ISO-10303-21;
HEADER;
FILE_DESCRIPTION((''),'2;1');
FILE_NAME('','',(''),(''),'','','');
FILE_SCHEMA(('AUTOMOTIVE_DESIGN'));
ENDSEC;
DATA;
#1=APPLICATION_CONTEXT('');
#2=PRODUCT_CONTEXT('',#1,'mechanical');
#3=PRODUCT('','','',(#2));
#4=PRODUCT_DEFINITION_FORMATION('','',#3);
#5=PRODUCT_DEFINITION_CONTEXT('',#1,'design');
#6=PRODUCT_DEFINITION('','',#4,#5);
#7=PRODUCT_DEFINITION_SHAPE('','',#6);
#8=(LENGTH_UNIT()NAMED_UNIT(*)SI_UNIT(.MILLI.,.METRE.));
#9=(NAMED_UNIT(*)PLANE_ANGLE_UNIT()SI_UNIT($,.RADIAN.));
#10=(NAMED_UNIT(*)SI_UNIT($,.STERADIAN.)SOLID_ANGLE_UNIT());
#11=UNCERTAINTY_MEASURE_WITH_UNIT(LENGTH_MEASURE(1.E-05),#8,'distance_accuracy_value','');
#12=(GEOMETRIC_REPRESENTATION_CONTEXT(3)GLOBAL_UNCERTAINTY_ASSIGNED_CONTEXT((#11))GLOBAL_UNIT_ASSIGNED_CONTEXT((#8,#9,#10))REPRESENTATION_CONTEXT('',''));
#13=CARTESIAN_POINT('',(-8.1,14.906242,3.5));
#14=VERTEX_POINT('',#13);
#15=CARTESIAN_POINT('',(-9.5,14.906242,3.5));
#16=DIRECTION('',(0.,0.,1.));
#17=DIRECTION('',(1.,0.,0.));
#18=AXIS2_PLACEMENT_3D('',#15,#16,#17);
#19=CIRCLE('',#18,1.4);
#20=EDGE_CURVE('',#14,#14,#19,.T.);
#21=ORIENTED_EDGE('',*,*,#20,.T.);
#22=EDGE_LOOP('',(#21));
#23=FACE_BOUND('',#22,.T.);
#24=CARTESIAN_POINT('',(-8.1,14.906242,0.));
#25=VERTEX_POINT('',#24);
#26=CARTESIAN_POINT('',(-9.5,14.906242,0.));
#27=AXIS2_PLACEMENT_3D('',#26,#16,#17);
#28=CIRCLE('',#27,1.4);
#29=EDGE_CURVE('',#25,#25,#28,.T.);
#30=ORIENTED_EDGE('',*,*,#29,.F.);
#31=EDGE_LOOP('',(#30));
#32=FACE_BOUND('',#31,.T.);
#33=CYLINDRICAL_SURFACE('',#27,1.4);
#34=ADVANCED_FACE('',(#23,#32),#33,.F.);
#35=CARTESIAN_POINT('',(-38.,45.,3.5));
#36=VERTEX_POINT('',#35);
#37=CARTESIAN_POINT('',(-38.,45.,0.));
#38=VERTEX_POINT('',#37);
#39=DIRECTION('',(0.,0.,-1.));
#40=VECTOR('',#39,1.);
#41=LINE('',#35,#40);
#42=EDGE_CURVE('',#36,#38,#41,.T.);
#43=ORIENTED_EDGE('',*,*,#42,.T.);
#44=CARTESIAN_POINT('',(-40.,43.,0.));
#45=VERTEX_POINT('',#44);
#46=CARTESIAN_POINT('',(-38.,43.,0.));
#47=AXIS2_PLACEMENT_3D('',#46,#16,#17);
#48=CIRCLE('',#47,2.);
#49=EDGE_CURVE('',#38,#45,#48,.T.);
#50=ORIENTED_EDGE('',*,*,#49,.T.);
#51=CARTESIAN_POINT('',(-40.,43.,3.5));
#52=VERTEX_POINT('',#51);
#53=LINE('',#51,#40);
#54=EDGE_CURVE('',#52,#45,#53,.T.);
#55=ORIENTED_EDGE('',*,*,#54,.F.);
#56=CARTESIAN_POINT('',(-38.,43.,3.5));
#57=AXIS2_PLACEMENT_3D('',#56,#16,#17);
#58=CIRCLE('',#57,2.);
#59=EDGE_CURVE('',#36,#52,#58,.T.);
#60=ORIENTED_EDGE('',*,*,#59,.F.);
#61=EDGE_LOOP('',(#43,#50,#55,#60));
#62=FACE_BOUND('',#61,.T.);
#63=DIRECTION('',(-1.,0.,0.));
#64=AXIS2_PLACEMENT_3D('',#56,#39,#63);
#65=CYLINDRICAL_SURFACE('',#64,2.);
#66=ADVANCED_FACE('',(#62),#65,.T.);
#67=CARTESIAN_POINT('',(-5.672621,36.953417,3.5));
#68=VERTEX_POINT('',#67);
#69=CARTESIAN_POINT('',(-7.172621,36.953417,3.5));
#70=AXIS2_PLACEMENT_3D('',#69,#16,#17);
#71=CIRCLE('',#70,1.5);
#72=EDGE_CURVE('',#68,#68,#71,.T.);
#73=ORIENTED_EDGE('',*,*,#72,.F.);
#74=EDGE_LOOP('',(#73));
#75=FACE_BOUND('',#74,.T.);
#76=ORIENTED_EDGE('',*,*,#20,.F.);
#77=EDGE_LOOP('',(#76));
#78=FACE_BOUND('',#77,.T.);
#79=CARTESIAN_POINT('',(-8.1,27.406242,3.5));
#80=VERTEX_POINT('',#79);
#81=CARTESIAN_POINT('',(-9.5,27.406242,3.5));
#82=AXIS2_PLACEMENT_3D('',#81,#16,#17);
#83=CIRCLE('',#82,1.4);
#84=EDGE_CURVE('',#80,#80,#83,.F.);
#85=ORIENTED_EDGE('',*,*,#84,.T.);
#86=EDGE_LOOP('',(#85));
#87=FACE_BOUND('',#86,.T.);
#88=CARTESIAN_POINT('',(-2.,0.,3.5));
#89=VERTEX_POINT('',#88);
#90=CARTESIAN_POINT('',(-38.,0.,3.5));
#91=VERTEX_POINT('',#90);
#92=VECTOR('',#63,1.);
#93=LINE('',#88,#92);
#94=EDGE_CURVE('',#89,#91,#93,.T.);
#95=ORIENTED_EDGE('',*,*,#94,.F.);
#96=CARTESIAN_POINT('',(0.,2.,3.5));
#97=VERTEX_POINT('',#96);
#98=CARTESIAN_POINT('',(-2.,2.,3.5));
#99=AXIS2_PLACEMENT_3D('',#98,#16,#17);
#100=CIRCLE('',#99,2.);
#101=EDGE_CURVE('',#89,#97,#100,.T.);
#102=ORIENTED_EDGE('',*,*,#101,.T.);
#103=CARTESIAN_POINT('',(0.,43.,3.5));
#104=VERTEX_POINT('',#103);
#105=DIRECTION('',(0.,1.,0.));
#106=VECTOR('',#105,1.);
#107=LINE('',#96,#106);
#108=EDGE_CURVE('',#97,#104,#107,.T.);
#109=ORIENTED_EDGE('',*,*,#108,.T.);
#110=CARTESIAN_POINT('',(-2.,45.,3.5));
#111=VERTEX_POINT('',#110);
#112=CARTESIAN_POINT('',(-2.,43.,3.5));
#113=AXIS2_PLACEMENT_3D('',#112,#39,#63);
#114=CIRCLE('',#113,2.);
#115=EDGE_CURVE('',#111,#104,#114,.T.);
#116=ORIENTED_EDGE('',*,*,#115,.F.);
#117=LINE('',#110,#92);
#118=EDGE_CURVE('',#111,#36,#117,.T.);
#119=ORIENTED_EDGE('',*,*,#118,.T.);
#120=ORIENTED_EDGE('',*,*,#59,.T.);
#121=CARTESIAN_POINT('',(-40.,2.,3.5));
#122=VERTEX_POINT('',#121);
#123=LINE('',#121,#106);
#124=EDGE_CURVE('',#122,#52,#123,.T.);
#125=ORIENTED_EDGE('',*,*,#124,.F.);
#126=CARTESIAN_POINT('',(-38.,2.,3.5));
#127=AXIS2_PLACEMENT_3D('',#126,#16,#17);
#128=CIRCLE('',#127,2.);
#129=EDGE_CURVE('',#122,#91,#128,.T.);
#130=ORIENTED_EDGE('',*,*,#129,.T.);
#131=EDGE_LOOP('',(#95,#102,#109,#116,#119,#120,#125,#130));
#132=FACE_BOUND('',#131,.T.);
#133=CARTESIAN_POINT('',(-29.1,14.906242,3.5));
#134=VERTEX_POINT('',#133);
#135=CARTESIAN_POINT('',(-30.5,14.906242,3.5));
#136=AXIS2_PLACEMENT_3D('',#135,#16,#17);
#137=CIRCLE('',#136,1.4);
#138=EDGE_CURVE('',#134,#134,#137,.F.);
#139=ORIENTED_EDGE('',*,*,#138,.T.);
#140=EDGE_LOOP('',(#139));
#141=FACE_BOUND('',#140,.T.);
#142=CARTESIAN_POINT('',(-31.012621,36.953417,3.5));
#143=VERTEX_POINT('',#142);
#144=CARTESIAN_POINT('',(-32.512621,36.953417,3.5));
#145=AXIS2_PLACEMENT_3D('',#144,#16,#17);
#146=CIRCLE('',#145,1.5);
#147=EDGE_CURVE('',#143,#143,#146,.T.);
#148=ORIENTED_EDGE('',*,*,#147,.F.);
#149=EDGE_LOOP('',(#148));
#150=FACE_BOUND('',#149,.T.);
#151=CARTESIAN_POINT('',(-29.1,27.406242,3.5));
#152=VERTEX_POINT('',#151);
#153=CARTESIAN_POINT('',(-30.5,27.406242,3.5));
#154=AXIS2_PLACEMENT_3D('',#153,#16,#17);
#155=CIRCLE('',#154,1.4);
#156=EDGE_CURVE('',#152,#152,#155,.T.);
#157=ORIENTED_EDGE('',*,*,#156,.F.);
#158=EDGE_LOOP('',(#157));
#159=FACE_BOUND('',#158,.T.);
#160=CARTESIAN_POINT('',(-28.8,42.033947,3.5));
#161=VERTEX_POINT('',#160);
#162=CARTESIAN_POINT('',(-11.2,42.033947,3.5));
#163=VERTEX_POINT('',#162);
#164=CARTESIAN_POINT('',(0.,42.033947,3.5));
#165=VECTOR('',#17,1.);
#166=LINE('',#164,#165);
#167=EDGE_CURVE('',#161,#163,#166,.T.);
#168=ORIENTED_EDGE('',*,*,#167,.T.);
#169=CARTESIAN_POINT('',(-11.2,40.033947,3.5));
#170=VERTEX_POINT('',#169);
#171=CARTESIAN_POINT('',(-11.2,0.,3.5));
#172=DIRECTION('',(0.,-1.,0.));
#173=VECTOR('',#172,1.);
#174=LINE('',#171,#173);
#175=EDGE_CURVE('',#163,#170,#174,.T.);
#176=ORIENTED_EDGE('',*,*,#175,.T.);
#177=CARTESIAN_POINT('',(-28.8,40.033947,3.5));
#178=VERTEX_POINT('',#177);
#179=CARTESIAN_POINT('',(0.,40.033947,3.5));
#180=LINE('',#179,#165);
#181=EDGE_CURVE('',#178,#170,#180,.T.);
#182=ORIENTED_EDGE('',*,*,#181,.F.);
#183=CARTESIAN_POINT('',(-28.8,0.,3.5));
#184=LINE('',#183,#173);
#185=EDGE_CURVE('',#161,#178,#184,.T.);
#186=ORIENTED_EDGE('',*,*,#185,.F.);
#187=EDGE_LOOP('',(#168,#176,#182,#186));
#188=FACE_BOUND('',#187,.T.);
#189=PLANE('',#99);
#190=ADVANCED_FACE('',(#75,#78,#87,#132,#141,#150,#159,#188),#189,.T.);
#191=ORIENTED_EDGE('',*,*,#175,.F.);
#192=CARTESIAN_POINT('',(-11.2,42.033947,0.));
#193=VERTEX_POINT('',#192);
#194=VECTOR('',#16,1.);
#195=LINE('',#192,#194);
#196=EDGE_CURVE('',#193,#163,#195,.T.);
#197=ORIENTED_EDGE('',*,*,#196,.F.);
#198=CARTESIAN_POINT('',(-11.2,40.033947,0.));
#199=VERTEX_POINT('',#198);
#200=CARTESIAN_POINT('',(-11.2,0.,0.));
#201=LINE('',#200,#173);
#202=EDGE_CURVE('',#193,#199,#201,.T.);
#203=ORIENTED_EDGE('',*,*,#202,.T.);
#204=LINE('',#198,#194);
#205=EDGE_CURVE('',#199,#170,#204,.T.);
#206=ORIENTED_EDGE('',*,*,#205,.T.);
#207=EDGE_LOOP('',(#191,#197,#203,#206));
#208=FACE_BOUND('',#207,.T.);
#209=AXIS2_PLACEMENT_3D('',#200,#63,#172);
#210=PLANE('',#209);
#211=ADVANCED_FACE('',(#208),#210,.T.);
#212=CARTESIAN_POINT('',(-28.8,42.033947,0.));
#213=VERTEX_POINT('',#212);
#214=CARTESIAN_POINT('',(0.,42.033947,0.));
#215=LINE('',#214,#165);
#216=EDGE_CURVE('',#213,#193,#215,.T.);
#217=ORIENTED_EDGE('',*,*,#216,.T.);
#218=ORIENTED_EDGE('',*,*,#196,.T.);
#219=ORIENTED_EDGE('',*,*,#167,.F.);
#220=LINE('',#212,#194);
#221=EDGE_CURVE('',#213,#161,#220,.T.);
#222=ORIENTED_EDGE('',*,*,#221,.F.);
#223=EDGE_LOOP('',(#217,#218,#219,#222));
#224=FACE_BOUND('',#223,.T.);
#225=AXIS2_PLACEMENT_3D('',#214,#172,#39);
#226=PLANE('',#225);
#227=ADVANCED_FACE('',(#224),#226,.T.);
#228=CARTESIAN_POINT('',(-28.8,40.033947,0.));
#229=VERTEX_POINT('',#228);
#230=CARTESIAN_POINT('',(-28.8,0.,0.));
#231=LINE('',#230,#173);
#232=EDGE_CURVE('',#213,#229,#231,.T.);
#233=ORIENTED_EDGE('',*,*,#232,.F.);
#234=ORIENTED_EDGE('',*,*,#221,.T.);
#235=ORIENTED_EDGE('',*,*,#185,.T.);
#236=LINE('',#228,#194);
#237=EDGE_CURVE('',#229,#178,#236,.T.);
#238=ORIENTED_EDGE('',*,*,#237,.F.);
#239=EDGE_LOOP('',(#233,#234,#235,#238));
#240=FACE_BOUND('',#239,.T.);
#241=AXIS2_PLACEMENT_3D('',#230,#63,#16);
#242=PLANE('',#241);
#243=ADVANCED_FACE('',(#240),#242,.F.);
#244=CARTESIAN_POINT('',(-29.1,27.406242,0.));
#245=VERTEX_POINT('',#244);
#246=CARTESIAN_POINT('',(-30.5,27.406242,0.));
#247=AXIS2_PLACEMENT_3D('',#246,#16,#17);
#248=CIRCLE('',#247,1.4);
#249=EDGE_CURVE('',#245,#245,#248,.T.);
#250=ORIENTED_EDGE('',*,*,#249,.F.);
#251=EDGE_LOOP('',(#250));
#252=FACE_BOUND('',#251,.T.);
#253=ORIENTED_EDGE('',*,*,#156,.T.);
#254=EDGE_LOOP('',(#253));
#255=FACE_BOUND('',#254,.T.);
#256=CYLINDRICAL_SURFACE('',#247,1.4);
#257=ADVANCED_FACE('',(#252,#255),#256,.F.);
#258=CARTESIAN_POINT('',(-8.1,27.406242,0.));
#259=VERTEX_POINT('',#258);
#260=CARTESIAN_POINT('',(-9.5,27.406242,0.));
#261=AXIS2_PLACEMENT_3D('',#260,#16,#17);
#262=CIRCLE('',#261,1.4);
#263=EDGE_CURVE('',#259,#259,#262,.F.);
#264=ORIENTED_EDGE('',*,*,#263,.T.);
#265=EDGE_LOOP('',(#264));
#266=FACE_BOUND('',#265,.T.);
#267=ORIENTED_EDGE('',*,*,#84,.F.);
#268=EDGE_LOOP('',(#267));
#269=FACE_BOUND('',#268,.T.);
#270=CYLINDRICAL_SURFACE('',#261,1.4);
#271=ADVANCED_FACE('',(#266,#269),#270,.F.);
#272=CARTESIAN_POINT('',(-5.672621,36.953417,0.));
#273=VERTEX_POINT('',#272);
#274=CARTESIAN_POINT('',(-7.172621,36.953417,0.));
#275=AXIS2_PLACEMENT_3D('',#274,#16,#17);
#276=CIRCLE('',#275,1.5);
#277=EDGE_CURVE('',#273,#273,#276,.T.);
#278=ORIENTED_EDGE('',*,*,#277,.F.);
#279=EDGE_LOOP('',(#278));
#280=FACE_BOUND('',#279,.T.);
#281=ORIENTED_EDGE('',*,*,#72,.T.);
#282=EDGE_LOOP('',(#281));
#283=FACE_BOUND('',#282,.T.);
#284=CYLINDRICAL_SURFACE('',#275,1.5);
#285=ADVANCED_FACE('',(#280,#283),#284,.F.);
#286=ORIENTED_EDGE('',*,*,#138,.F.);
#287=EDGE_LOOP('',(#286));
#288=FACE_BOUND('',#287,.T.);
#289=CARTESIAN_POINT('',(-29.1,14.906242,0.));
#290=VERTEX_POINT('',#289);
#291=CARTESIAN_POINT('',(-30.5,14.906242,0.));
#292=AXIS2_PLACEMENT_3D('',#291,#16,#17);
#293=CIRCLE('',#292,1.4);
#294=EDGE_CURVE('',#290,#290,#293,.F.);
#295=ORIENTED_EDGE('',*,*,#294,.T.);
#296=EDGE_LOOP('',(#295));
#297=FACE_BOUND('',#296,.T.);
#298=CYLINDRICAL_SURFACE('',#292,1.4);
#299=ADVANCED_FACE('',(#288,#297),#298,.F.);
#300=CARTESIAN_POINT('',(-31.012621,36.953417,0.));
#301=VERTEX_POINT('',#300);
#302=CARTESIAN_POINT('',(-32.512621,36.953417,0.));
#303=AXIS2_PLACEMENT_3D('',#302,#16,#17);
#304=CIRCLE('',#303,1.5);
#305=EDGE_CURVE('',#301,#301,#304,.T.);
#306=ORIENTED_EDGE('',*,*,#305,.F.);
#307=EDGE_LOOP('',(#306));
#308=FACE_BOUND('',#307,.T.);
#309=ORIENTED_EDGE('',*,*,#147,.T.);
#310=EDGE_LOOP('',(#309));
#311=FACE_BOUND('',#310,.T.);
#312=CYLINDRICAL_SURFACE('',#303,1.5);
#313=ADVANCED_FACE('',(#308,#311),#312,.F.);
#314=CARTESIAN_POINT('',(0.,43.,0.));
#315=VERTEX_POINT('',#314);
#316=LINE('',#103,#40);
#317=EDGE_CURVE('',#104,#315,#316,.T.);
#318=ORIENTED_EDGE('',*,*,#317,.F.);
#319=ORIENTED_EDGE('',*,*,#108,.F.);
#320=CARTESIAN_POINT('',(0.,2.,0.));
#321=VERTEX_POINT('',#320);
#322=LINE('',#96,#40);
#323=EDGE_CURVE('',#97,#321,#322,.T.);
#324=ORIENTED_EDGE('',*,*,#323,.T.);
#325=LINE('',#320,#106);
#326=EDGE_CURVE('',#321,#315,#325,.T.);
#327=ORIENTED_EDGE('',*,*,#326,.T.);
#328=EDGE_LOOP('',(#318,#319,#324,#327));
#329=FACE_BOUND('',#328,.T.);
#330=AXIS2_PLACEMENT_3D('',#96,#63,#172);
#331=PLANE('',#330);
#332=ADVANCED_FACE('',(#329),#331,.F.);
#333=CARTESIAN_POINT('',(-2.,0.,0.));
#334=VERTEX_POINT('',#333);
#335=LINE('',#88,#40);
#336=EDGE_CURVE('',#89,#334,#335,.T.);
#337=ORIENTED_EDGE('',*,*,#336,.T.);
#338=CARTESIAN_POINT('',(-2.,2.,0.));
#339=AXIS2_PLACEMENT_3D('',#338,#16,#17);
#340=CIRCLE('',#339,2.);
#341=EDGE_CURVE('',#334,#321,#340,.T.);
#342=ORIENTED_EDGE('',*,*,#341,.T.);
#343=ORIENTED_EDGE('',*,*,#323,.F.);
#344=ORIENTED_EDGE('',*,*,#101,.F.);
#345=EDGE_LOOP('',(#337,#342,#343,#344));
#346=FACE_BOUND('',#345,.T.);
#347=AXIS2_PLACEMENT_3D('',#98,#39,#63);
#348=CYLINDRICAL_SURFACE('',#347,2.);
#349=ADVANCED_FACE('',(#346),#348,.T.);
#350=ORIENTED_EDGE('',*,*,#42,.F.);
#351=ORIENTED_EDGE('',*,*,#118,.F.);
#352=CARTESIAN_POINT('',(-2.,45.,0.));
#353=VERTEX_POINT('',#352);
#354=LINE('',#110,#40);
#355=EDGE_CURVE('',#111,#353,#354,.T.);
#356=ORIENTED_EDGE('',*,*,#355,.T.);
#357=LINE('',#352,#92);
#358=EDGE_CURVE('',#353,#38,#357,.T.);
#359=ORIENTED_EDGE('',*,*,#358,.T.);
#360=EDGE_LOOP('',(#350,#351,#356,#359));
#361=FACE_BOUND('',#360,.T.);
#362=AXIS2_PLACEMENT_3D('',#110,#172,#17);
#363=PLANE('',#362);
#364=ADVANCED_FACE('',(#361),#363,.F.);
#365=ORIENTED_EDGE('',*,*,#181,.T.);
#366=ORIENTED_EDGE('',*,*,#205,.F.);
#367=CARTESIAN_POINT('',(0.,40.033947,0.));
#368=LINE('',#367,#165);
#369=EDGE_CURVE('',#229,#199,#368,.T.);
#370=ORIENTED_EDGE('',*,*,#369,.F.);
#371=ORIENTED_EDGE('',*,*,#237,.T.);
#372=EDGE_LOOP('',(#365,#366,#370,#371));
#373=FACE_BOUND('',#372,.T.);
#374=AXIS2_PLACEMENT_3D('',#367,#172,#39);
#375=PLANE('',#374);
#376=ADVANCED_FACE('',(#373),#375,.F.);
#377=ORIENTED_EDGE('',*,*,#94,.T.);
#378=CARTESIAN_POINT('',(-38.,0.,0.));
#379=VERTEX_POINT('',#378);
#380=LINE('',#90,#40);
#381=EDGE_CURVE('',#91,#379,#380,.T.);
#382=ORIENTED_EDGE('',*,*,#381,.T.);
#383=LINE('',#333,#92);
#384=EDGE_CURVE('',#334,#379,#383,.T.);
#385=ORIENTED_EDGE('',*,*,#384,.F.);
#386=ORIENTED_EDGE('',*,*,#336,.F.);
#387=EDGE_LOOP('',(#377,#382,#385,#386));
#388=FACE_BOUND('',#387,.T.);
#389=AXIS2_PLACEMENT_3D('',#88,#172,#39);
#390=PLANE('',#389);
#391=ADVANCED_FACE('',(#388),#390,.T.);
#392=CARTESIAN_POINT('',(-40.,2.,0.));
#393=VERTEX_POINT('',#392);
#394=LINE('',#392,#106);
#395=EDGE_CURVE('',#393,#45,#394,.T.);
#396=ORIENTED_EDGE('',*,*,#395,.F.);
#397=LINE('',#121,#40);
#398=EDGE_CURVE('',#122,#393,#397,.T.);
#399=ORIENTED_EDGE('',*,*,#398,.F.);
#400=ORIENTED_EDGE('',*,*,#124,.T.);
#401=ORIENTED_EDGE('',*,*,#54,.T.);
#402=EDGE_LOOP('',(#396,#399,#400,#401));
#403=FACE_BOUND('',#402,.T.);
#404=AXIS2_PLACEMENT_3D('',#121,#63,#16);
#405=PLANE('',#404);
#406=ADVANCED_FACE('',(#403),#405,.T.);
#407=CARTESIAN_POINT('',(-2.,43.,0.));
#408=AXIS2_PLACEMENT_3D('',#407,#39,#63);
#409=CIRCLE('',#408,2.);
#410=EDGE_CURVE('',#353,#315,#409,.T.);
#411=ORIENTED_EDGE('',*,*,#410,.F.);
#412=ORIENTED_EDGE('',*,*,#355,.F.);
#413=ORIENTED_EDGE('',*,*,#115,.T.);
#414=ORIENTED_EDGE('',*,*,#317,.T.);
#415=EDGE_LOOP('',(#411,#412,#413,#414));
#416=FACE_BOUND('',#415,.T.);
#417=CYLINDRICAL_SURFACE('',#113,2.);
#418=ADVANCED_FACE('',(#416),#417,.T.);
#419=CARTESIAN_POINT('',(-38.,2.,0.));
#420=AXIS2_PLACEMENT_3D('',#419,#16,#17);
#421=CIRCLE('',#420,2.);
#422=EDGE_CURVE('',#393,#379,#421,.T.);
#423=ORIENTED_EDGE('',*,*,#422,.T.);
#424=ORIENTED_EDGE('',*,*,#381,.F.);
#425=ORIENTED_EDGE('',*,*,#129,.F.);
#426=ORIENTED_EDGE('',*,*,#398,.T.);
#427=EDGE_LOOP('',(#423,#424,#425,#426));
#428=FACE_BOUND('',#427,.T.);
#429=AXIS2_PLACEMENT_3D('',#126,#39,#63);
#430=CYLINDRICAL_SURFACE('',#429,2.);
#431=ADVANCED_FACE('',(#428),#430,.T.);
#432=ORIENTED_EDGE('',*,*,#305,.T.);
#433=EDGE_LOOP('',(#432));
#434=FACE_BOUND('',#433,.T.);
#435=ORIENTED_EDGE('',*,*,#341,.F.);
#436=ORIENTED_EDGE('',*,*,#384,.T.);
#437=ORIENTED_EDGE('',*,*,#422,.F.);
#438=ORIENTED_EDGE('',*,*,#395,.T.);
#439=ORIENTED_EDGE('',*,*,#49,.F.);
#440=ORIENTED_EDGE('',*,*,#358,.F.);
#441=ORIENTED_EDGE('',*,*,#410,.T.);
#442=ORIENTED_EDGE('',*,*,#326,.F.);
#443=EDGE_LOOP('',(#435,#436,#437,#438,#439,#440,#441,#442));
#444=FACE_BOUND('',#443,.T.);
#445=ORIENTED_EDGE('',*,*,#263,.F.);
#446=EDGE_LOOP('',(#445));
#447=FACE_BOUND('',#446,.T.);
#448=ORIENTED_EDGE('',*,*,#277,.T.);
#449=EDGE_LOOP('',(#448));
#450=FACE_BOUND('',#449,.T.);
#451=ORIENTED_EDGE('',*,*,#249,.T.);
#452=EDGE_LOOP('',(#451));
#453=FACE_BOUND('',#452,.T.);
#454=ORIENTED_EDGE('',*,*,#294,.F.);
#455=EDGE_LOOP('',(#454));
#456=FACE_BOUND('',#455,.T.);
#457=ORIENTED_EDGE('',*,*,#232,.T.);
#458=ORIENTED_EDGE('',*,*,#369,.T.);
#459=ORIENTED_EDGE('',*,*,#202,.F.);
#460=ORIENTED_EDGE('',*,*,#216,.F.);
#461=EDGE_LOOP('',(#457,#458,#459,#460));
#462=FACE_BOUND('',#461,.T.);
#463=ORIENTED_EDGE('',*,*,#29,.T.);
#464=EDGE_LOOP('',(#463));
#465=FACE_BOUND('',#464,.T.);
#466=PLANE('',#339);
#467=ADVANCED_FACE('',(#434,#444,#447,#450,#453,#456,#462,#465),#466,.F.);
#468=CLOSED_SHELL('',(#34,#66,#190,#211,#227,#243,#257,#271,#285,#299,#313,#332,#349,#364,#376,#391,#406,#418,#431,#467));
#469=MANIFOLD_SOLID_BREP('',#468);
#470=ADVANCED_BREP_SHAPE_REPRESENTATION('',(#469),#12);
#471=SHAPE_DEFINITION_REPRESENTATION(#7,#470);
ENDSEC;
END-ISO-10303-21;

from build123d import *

# Parameters (mm, degrees)
BOSS_EXTRUDE1_DEPTH = 3.5
SKETCH2_W           = 8.8
SKETCH2_H           = 2
CUT_EXTRUDE1_DEPTH  = 61.309617744
SKETCH3_R           = 1.5
CUT_EXTRUDE2_DEPTH  = 61.309617744
SKETCH4_R           = 1.4
CUT_EXTRUDE3_DEPTH  = 61.309617744


with BuildPart() as part:
    # Sketch1 → Boss-Extrude1 (new body)
    with BuildSketch(Plane.XY):
        with BuildLine():
            Line((-2, 0), (-38, 0))
            ThreePointArc((-38, 0), (-39.414213562, 0.585786438), (-40, 2))
            Line((-40, 2), (-40, 42.999999916))
            ThreePointArc((-40, 42.999999916), (-39.414213562, 44.414213478), (-38, 44.999999916))
            Line((-38, 44.999999916), (-2, 44.999999916))
            ThreePointArc((-2, 44.999999916), (-0.585786438, 44.414213478), (0, 42.999999916))
            Line((0, 42.999999916), (0, 2))
            ThreePointArc((0, 2), (-0.585786438, 0.585786438), (-2, 0))
        make_face()
    extrude(amount=BOSS_EXTRUDE1_DEPTH)

    # Sketch2 → Cut-Extrude1 (cut, through all)
    with BuildSketch(Plane.XY.offset(3.5)):
        with Locations((-24.4, 41.033946817)):
            Rectangle(SKETCH2_W, SKETCH2_H)
        with Locations((-15.6, 41.033946817)):
            Rectangle(SKETCH2_W, SKETCH2_H)
    extrude(amount=-CUT_EXTRUDE1_DEPTH, mode=Mode.SUBTRACT)

    # Sketch3 → Cut-Extrude2 (cut, through all)
    with BuildSketch(Plane.XY.offset(3.5)):
        with Locations((-32.512621431, 36.953417216)):
            Circle(SKETCH3_R)
        with Locations((-7.172621431, 36.953417216)):
            Circle(SKETCH3_R)
    extrude(amount=-CUT_EXTRUDE2_DEPTH, mode=Mode.SUBTRACT)

    # Sketch4 → Cut-Extrude3 (cut, through all)
    with BuildSketch(Plane.XY.offset(3.5)):
        with Locations((-30.5, 27.406241852)):
            Circle(SKETCH4_R)
        with Locations((-30.5, 14.906241852)):
            Circle(SKETCH4_R)
        with Locations((-9.5, 14.906241852)):
            Circle(SKETCH4_R)
        with Locations((-9.5, 27.406241852)):
            Circle(SKETCH4_R)
    extrude(amount=-CUT_EXTRUDE3_DEPTH, mode=Mode.SUBTRACT)


solid = part.part
